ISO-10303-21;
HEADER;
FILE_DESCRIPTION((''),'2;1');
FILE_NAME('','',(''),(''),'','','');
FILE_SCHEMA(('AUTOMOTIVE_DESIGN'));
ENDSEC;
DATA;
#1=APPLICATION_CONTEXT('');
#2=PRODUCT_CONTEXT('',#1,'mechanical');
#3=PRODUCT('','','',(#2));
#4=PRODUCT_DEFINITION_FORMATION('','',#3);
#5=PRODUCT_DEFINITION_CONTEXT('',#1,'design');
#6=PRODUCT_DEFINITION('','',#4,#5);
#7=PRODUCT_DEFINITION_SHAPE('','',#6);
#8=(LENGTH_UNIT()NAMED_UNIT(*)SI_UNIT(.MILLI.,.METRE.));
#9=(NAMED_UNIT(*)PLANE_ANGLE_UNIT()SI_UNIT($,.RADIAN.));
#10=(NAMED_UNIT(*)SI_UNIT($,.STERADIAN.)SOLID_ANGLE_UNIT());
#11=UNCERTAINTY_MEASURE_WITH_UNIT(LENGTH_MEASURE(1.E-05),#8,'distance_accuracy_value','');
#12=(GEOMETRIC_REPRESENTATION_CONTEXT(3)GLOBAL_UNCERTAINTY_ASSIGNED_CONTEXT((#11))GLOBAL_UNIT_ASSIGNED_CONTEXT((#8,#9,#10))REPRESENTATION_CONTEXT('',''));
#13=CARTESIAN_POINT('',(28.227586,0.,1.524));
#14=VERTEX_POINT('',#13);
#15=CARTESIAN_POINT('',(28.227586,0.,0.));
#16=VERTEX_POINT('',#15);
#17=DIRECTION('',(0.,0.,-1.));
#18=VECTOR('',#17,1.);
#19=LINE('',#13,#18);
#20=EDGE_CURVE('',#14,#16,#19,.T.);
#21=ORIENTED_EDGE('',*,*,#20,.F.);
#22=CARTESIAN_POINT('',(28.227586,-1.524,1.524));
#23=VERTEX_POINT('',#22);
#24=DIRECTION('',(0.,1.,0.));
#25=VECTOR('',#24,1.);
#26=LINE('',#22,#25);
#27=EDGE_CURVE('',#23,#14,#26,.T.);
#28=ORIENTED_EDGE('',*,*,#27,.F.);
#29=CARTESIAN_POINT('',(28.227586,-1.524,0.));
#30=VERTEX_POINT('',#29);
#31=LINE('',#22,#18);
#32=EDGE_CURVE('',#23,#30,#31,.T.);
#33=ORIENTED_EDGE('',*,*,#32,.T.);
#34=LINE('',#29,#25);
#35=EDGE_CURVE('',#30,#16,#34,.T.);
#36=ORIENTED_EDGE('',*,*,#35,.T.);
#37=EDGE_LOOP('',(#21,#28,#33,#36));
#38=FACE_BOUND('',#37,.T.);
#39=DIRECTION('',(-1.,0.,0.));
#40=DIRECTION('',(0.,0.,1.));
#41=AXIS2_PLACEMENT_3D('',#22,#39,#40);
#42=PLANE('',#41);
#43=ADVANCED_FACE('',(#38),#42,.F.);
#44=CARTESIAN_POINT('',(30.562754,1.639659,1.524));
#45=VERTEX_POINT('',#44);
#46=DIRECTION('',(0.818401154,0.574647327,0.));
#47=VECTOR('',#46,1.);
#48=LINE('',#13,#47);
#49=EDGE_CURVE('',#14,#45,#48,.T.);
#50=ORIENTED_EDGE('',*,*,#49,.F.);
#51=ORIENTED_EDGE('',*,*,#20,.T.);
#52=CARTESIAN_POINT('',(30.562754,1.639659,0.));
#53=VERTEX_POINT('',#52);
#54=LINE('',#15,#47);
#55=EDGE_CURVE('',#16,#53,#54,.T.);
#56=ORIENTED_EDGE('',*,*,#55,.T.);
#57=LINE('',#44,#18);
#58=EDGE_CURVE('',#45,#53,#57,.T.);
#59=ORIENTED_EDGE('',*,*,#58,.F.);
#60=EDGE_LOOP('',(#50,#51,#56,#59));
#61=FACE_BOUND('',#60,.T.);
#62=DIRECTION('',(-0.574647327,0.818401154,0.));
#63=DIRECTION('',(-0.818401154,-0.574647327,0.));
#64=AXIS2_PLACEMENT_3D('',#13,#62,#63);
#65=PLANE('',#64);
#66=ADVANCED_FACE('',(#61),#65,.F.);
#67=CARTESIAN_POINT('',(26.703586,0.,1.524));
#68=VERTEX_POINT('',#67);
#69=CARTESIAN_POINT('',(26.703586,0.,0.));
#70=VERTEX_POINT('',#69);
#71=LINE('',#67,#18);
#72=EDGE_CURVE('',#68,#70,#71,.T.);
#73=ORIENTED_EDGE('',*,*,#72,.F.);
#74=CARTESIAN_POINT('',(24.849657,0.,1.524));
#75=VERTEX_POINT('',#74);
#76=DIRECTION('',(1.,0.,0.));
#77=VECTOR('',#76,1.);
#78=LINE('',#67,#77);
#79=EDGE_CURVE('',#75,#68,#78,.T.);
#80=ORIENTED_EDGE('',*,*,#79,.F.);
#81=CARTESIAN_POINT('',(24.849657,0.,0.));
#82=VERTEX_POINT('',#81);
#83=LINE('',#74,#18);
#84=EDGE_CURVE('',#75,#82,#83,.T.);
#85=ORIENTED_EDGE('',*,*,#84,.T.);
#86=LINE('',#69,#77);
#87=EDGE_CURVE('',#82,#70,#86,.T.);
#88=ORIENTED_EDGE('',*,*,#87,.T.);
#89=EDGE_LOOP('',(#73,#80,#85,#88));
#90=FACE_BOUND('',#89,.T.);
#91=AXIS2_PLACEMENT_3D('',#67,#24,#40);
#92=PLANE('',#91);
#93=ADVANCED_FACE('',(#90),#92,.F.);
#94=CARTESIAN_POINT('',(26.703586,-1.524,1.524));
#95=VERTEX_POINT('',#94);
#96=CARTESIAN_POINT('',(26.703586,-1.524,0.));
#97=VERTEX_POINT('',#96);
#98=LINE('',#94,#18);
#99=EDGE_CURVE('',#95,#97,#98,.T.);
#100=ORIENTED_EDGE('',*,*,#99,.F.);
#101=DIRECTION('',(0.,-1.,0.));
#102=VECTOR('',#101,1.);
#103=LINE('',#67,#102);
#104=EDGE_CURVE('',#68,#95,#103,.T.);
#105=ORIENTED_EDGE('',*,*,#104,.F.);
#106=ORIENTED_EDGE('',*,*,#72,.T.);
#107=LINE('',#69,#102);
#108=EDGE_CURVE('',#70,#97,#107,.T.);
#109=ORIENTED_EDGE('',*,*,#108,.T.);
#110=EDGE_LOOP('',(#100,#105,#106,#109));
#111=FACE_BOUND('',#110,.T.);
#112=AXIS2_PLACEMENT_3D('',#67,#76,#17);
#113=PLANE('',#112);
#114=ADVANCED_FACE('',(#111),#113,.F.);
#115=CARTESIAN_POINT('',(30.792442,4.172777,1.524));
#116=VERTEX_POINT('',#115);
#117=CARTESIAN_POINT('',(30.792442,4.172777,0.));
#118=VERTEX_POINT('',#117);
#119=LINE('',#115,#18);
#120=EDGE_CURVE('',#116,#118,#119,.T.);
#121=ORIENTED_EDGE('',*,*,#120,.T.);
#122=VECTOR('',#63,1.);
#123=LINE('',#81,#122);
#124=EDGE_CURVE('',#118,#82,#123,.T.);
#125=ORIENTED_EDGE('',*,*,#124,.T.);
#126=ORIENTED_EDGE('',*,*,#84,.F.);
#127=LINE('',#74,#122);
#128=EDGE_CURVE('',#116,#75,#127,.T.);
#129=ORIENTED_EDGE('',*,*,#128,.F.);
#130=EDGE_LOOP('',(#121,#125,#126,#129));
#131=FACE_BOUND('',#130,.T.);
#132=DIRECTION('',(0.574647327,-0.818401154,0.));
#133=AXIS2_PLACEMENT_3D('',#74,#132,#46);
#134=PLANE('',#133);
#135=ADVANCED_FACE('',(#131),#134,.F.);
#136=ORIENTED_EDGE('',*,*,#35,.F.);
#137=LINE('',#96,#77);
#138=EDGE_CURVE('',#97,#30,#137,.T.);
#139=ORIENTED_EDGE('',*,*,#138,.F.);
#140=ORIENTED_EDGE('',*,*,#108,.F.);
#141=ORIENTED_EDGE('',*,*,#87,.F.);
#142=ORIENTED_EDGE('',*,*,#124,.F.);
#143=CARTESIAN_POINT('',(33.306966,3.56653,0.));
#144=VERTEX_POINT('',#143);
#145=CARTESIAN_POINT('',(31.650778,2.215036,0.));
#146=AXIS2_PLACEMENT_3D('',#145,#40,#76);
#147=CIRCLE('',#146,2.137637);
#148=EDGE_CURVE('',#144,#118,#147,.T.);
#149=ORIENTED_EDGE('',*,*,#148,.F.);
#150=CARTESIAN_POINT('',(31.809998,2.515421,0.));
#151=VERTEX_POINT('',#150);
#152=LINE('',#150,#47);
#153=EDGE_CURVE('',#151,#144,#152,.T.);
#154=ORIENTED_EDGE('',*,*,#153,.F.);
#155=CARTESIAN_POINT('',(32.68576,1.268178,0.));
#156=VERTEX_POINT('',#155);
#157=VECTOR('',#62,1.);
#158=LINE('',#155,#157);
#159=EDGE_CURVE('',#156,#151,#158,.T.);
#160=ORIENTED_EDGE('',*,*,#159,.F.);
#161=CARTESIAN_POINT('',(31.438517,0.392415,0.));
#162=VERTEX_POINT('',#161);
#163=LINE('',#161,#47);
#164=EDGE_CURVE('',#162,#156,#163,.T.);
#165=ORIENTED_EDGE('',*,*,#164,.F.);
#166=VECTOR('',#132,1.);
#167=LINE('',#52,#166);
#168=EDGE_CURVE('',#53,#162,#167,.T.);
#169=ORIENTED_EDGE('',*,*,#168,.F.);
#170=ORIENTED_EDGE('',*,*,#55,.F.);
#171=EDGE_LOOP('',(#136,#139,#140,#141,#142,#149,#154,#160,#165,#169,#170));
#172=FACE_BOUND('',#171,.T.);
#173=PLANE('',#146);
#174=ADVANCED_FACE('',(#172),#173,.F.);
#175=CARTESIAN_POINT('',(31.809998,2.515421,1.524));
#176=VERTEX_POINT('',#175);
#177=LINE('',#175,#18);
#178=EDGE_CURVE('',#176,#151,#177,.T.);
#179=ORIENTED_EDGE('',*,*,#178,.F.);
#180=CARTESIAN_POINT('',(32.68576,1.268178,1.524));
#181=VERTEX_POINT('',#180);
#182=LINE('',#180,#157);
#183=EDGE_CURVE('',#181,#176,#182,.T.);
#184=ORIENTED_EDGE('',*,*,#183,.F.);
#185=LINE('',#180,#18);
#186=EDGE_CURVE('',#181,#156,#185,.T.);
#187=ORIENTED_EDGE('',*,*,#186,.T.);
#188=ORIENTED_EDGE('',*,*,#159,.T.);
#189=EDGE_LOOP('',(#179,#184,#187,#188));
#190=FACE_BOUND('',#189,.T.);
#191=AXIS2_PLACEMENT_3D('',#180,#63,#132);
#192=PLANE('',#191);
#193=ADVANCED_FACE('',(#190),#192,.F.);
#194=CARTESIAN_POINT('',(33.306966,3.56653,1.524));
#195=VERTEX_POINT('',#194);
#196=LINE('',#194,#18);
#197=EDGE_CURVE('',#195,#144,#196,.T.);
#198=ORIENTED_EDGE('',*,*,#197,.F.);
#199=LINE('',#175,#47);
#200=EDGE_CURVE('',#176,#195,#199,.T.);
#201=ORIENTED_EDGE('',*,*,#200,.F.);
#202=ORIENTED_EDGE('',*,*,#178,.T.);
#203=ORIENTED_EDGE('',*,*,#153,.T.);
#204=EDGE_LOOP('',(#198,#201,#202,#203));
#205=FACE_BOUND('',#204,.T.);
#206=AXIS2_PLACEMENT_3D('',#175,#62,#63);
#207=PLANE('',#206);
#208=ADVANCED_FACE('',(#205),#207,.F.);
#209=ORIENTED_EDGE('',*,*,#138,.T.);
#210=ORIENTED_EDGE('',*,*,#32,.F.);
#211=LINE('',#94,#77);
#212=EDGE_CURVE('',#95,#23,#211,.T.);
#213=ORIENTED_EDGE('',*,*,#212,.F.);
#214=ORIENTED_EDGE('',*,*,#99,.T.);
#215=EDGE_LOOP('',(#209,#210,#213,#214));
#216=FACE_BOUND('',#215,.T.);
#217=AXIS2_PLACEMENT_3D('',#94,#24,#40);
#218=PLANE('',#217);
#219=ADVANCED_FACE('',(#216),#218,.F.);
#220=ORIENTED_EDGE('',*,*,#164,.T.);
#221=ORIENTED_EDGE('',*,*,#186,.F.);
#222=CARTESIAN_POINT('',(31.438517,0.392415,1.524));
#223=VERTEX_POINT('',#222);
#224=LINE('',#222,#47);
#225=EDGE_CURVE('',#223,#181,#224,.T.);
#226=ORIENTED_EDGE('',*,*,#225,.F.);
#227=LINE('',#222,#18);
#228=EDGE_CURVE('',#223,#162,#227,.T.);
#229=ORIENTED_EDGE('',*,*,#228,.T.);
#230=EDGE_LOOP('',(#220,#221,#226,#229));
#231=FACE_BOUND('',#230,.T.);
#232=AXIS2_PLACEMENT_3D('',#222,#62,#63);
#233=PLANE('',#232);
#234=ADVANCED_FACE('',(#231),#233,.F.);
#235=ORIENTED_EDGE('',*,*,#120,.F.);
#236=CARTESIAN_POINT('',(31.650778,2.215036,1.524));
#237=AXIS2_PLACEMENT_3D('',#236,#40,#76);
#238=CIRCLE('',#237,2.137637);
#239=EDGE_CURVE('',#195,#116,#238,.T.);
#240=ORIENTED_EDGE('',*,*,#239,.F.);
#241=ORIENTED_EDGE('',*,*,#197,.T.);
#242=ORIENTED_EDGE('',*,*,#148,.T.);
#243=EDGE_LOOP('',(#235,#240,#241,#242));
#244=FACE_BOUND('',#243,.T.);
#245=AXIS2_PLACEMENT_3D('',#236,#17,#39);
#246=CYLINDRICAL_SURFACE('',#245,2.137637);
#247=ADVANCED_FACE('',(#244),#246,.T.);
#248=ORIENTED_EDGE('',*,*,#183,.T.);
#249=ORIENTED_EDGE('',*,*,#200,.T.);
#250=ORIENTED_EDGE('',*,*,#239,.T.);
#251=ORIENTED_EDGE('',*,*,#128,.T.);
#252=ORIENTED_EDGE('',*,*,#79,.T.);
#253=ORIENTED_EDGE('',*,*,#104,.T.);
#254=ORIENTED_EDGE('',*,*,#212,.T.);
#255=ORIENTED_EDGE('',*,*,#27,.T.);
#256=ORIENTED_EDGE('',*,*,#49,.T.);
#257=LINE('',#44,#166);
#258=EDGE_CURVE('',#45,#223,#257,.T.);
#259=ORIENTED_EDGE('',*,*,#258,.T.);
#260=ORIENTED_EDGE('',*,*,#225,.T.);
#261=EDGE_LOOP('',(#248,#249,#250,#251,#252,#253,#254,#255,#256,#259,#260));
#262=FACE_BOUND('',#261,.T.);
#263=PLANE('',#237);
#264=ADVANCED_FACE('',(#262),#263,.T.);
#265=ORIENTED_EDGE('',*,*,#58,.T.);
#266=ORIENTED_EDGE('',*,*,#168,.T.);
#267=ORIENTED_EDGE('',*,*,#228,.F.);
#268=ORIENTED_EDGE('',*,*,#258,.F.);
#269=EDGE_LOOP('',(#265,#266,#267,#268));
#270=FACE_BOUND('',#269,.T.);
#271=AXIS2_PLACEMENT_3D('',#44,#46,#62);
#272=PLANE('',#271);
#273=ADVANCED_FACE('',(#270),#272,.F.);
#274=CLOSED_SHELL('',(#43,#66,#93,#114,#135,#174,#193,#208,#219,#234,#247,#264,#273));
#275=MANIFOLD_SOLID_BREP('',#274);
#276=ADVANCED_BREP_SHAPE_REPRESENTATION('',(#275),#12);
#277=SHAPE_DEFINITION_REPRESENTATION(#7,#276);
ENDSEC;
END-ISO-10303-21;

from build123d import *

# Parameters (mm, degrees)
BOSS_EXTRUDE1_DEPTH = 1.524


with BuildPart() as part:
    # Sketch1 → Boss-Extrude1 (new body)
    with BuildSketch(Plane.XY):
        with BuildLine():
            Line((26.703585716, 0), (26.703585716, -1.524))
            Line((26.703585716, -1.524), (28.227585716, -1.524))
            Line((28.227585716, -1.524), (28.227585716, 0))
            Line((28.227585716, 0), (30.562754439, 1.639658569))
            Line((30.562754439, 1.639658569), (31.438516966, 0.39241521))
            Line((31.438516966, 0.39241521), (32.685760325, 1.268177737))
            Line((32.685760325, 1.268177737), (31.809997798, 2.515421096))
            Line((31.809997798, 2.515421096), (33.306965818, 3.566529915))
            ThreePointArc((33.306965818, 3.566529915), (32.151803022, 4.293127988), (30.792442306, 4.172777296))
            Line((30.792442306, 4.172777296), (24.84965689, 0))
            Line((24.84965689, 0), (26.703585716, 0))
        make_face()
    extrude(amount=BOSS_EXTRUDE1_DEPTH)


solid = part.part
